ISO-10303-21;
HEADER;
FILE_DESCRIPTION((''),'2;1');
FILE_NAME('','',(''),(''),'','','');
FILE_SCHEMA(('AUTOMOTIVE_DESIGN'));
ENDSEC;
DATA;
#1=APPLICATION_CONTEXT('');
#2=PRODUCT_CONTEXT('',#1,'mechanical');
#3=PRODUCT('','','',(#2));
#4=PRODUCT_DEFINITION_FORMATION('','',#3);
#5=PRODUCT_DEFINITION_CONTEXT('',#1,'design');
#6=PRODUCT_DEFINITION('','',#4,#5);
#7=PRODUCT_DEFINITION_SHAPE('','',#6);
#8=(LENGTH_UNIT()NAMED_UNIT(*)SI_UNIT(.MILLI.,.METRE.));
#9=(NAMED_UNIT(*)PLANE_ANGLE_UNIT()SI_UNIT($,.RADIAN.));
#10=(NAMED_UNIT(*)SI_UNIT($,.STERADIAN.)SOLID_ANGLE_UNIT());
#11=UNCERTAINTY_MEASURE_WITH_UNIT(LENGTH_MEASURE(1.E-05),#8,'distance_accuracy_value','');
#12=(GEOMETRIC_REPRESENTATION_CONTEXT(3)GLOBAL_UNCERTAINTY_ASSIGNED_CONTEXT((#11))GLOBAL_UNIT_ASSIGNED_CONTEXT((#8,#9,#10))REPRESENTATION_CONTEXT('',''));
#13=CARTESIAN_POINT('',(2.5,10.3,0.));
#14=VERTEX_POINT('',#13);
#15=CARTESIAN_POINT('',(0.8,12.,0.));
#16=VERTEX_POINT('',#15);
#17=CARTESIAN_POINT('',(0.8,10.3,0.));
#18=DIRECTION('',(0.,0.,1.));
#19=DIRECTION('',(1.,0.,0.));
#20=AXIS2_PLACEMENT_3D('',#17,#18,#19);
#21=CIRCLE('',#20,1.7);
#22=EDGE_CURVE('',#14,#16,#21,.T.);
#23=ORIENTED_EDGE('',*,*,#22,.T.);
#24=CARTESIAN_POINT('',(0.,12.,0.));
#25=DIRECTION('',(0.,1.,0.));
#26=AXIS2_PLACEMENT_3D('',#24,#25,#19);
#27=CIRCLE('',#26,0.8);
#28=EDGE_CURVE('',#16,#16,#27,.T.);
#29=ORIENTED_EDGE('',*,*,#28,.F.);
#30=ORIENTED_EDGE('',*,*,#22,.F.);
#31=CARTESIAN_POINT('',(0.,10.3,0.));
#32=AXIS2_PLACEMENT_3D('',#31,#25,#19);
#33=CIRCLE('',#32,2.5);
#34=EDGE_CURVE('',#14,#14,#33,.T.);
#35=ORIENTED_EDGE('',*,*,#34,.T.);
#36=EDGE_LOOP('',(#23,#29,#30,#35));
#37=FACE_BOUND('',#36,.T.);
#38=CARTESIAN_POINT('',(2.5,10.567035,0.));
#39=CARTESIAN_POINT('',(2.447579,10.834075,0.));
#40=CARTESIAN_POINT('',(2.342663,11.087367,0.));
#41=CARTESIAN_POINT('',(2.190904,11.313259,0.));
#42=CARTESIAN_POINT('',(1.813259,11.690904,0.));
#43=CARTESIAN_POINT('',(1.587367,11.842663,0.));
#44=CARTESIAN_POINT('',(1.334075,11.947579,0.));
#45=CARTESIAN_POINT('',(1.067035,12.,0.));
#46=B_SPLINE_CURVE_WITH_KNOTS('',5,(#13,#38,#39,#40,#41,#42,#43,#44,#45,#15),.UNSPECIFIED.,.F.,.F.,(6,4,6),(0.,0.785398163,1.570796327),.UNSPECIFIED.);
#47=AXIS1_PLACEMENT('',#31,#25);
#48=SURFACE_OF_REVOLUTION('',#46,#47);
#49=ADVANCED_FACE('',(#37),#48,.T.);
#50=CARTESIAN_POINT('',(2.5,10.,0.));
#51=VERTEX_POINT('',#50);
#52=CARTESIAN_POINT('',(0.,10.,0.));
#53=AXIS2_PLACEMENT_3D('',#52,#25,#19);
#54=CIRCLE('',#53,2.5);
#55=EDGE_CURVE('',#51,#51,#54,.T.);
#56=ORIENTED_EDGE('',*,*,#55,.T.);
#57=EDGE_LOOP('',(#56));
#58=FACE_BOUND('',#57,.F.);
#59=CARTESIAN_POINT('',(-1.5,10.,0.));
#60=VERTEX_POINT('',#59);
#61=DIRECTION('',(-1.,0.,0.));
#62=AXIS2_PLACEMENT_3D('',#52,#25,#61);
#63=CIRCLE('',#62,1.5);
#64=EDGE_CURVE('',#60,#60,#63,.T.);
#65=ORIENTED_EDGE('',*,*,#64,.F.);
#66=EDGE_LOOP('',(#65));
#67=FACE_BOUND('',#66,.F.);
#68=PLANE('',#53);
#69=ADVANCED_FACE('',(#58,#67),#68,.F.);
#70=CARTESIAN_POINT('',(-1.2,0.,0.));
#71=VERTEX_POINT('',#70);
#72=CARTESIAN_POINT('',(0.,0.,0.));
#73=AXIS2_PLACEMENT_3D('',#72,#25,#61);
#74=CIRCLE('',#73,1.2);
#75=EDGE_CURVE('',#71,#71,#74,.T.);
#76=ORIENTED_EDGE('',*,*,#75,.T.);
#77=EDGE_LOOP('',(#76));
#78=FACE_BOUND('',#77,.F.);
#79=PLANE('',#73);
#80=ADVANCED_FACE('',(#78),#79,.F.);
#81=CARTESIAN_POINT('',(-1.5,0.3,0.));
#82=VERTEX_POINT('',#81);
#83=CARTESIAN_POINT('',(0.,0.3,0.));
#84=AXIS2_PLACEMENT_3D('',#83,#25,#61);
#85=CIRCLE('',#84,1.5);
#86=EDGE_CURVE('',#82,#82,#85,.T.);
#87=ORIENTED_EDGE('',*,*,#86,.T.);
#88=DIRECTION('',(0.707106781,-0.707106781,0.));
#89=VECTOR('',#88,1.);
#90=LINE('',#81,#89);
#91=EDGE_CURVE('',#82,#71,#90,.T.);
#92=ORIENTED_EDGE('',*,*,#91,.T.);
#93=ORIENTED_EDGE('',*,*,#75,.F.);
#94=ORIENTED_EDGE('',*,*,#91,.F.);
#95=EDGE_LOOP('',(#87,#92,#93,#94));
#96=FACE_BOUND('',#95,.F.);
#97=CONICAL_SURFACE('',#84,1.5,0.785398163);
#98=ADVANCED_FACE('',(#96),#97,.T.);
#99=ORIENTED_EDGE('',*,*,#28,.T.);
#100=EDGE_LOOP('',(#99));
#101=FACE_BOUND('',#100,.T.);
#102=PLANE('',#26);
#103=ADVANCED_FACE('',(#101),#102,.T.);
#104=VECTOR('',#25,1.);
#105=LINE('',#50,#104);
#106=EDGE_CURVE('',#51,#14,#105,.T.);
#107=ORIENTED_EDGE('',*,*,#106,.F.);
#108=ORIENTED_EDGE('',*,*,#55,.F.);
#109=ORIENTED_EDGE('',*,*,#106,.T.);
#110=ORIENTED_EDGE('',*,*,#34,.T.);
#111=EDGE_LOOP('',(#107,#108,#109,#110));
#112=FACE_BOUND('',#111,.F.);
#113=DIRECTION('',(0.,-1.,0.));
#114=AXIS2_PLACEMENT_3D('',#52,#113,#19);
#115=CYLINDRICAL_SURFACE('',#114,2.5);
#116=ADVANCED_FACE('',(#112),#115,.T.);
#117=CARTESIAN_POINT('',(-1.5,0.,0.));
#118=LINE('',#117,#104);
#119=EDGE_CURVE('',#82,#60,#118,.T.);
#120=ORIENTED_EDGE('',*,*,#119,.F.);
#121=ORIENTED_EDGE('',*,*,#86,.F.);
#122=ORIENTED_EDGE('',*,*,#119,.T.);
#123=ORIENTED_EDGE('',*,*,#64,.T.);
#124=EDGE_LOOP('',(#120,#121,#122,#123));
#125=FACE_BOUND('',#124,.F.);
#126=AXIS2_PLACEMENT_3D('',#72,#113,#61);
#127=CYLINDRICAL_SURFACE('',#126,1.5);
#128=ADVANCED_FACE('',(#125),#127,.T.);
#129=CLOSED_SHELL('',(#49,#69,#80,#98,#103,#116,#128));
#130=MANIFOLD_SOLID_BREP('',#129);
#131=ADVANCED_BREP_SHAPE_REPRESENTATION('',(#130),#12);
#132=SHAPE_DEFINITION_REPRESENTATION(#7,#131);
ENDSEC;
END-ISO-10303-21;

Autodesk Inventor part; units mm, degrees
ref_plane "YZ Plane" through (0, 0, 0) normal (1, 0, 0) x (0, 1, 0)
ref_plane "XZ Plane" through (0, 0, 0) normal (0, 1, 0) x (-1, 0, 0)
ref_plane "XY Plane" through (0, 0, 0) normal (0, 0, 1) x (1, 0, 0)
sketch "Sketch1" plane through (0, 0, 0) normal (0, 1, 0) x (-1, 0, 0)
  circle A0 centre (0, 0) radius 1.5
  dimension "d0" = 3
extrude "Extrusion1" add sketch "Sketch1" along normal blind 10
sketch "Sketch2" plane through (0, 10, 0) normal (0, 1, 0) x (1, 0, 0)
  circle A0 centre (0, 0) radius 2.5
  dimension "d3" = 5
extrude "Extrusion2" add sketch "Sketch2" along normal blind 2
fillet "Fillet1" radius 1.7 1 edges at (-2.5, 12, 0)
chamfer "Chamfer1" distance 0.3 angle 45 1 edges at (1.5, 0, 0)
thread "Thread1" size "M3x0.5" class "6g" standard "ANSI Metric M Profile" full length
properties part number "M3x10 Screw Steel" material "Stainless Steel"
